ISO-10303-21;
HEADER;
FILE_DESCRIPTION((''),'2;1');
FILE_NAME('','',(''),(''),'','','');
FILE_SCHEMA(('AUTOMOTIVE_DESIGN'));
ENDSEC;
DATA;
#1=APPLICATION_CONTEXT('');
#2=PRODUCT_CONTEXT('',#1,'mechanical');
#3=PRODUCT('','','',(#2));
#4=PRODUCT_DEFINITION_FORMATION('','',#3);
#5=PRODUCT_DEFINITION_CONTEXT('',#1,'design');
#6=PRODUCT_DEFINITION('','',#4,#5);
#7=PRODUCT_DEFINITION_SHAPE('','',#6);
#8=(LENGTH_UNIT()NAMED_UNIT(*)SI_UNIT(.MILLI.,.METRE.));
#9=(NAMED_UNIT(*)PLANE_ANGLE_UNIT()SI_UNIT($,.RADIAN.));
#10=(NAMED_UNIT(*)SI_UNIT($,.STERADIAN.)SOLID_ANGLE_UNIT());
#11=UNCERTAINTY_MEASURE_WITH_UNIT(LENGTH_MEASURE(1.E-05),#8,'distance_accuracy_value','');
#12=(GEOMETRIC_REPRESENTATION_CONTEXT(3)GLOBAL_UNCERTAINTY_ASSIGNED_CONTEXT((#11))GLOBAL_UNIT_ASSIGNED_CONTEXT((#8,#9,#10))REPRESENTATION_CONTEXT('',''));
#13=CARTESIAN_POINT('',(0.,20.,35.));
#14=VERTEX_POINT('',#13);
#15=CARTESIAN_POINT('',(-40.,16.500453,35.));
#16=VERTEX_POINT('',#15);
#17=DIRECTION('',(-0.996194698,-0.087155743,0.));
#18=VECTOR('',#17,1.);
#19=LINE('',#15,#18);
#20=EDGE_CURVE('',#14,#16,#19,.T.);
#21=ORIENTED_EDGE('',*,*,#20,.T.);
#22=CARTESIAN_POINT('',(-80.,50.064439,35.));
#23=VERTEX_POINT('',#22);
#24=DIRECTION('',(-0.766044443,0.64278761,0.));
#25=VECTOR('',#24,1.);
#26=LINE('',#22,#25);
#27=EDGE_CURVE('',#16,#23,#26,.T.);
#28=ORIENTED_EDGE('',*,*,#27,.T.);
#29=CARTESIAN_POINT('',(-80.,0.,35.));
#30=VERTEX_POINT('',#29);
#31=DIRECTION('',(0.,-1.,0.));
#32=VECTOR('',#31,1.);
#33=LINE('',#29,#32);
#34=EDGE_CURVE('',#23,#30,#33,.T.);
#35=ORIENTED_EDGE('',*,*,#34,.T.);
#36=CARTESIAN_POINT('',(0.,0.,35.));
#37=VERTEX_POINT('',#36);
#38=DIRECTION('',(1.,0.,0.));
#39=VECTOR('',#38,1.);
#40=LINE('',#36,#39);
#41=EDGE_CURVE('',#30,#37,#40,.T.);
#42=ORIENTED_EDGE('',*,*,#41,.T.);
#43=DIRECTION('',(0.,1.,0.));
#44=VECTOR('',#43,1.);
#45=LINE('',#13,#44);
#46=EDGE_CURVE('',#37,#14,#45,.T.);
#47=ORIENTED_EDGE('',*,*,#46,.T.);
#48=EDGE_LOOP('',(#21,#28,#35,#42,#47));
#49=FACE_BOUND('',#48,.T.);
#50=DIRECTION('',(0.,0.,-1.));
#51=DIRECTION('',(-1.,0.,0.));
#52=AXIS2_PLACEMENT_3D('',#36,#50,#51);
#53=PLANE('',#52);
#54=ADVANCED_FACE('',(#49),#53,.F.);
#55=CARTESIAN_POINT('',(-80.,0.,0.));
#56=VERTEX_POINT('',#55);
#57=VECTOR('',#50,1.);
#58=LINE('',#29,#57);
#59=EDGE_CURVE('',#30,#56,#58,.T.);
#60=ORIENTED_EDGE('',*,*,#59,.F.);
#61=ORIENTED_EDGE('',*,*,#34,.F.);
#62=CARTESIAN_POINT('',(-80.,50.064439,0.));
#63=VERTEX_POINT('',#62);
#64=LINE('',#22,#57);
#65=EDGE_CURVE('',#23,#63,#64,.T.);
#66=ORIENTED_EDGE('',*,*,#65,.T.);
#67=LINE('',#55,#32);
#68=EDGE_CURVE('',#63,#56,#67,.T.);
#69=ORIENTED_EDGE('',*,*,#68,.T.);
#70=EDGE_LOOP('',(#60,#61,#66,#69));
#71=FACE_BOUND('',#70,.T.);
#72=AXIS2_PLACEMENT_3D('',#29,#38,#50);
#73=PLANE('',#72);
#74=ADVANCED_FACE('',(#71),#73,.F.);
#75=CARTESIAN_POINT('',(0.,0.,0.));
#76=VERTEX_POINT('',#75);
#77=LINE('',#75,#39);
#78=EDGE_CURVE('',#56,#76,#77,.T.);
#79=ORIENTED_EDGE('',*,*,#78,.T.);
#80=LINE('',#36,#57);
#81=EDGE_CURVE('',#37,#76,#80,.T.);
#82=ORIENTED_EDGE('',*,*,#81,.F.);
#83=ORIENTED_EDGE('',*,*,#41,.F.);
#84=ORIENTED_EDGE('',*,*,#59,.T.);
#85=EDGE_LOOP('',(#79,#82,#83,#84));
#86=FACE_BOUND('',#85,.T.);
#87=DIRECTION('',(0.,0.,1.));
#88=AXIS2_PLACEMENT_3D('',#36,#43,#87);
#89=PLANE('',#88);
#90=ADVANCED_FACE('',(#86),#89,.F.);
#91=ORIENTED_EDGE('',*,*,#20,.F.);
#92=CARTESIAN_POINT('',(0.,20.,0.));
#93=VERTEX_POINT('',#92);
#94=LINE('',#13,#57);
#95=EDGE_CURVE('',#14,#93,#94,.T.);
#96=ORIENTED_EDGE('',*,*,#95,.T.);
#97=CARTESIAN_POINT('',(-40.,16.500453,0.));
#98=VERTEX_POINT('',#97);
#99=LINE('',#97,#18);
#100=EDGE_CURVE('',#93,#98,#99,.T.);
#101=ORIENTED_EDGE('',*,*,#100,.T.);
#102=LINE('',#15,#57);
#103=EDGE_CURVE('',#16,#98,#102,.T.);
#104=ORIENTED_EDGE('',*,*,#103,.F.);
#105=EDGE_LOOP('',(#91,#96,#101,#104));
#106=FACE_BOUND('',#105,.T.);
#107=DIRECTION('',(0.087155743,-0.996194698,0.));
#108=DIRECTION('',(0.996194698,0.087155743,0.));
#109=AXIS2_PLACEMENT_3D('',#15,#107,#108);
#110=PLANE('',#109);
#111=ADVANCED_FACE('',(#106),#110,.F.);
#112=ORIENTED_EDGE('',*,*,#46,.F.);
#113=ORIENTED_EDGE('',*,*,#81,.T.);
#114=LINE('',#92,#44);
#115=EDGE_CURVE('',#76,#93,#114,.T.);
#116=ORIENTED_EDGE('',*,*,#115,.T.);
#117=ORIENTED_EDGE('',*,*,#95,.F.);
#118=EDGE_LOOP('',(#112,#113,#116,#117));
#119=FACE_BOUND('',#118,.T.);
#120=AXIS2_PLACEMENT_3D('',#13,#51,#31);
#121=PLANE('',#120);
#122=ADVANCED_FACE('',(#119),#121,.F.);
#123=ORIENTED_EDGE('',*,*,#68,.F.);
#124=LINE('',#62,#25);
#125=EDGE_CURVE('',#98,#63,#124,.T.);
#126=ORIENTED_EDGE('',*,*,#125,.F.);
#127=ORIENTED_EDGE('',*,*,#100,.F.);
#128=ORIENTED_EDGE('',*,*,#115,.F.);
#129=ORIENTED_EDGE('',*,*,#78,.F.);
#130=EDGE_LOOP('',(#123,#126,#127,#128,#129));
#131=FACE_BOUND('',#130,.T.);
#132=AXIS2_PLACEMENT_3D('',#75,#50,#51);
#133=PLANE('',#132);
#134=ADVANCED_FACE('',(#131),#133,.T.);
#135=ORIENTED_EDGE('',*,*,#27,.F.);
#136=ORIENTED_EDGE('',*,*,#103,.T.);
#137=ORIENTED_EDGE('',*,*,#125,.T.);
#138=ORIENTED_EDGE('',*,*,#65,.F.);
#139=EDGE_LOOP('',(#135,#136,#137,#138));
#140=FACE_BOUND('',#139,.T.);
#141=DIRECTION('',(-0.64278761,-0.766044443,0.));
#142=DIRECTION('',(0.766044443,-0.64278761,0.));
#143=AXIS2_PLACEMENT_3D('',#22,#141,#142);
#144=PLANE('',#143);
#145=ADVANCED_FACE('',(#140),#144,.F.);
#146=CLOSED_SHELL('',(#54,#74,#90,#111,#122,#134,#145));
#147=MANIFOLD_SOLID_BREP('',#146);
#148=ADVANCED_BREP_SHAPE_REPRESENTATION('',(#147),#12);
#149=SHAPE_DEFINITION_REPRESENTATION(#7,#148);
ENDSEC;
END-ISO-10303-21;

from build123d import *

# Parameters (mm, degrees)
BOSS_EXTRU_1_DEPTH = 35


with BuildPart() as part:
    # Esquisse1 → Boss.-Extru.1 (new body)
    with BuildSketch(Plane.XY):
        Polygon((0, 0), (-80, 0), (-80, 50.064438706), (-40, 16.500453459), (0, 20), align=None)
    extrude(amount=BOSS_EXTRU_1_DEPTH)


solid = part.part
